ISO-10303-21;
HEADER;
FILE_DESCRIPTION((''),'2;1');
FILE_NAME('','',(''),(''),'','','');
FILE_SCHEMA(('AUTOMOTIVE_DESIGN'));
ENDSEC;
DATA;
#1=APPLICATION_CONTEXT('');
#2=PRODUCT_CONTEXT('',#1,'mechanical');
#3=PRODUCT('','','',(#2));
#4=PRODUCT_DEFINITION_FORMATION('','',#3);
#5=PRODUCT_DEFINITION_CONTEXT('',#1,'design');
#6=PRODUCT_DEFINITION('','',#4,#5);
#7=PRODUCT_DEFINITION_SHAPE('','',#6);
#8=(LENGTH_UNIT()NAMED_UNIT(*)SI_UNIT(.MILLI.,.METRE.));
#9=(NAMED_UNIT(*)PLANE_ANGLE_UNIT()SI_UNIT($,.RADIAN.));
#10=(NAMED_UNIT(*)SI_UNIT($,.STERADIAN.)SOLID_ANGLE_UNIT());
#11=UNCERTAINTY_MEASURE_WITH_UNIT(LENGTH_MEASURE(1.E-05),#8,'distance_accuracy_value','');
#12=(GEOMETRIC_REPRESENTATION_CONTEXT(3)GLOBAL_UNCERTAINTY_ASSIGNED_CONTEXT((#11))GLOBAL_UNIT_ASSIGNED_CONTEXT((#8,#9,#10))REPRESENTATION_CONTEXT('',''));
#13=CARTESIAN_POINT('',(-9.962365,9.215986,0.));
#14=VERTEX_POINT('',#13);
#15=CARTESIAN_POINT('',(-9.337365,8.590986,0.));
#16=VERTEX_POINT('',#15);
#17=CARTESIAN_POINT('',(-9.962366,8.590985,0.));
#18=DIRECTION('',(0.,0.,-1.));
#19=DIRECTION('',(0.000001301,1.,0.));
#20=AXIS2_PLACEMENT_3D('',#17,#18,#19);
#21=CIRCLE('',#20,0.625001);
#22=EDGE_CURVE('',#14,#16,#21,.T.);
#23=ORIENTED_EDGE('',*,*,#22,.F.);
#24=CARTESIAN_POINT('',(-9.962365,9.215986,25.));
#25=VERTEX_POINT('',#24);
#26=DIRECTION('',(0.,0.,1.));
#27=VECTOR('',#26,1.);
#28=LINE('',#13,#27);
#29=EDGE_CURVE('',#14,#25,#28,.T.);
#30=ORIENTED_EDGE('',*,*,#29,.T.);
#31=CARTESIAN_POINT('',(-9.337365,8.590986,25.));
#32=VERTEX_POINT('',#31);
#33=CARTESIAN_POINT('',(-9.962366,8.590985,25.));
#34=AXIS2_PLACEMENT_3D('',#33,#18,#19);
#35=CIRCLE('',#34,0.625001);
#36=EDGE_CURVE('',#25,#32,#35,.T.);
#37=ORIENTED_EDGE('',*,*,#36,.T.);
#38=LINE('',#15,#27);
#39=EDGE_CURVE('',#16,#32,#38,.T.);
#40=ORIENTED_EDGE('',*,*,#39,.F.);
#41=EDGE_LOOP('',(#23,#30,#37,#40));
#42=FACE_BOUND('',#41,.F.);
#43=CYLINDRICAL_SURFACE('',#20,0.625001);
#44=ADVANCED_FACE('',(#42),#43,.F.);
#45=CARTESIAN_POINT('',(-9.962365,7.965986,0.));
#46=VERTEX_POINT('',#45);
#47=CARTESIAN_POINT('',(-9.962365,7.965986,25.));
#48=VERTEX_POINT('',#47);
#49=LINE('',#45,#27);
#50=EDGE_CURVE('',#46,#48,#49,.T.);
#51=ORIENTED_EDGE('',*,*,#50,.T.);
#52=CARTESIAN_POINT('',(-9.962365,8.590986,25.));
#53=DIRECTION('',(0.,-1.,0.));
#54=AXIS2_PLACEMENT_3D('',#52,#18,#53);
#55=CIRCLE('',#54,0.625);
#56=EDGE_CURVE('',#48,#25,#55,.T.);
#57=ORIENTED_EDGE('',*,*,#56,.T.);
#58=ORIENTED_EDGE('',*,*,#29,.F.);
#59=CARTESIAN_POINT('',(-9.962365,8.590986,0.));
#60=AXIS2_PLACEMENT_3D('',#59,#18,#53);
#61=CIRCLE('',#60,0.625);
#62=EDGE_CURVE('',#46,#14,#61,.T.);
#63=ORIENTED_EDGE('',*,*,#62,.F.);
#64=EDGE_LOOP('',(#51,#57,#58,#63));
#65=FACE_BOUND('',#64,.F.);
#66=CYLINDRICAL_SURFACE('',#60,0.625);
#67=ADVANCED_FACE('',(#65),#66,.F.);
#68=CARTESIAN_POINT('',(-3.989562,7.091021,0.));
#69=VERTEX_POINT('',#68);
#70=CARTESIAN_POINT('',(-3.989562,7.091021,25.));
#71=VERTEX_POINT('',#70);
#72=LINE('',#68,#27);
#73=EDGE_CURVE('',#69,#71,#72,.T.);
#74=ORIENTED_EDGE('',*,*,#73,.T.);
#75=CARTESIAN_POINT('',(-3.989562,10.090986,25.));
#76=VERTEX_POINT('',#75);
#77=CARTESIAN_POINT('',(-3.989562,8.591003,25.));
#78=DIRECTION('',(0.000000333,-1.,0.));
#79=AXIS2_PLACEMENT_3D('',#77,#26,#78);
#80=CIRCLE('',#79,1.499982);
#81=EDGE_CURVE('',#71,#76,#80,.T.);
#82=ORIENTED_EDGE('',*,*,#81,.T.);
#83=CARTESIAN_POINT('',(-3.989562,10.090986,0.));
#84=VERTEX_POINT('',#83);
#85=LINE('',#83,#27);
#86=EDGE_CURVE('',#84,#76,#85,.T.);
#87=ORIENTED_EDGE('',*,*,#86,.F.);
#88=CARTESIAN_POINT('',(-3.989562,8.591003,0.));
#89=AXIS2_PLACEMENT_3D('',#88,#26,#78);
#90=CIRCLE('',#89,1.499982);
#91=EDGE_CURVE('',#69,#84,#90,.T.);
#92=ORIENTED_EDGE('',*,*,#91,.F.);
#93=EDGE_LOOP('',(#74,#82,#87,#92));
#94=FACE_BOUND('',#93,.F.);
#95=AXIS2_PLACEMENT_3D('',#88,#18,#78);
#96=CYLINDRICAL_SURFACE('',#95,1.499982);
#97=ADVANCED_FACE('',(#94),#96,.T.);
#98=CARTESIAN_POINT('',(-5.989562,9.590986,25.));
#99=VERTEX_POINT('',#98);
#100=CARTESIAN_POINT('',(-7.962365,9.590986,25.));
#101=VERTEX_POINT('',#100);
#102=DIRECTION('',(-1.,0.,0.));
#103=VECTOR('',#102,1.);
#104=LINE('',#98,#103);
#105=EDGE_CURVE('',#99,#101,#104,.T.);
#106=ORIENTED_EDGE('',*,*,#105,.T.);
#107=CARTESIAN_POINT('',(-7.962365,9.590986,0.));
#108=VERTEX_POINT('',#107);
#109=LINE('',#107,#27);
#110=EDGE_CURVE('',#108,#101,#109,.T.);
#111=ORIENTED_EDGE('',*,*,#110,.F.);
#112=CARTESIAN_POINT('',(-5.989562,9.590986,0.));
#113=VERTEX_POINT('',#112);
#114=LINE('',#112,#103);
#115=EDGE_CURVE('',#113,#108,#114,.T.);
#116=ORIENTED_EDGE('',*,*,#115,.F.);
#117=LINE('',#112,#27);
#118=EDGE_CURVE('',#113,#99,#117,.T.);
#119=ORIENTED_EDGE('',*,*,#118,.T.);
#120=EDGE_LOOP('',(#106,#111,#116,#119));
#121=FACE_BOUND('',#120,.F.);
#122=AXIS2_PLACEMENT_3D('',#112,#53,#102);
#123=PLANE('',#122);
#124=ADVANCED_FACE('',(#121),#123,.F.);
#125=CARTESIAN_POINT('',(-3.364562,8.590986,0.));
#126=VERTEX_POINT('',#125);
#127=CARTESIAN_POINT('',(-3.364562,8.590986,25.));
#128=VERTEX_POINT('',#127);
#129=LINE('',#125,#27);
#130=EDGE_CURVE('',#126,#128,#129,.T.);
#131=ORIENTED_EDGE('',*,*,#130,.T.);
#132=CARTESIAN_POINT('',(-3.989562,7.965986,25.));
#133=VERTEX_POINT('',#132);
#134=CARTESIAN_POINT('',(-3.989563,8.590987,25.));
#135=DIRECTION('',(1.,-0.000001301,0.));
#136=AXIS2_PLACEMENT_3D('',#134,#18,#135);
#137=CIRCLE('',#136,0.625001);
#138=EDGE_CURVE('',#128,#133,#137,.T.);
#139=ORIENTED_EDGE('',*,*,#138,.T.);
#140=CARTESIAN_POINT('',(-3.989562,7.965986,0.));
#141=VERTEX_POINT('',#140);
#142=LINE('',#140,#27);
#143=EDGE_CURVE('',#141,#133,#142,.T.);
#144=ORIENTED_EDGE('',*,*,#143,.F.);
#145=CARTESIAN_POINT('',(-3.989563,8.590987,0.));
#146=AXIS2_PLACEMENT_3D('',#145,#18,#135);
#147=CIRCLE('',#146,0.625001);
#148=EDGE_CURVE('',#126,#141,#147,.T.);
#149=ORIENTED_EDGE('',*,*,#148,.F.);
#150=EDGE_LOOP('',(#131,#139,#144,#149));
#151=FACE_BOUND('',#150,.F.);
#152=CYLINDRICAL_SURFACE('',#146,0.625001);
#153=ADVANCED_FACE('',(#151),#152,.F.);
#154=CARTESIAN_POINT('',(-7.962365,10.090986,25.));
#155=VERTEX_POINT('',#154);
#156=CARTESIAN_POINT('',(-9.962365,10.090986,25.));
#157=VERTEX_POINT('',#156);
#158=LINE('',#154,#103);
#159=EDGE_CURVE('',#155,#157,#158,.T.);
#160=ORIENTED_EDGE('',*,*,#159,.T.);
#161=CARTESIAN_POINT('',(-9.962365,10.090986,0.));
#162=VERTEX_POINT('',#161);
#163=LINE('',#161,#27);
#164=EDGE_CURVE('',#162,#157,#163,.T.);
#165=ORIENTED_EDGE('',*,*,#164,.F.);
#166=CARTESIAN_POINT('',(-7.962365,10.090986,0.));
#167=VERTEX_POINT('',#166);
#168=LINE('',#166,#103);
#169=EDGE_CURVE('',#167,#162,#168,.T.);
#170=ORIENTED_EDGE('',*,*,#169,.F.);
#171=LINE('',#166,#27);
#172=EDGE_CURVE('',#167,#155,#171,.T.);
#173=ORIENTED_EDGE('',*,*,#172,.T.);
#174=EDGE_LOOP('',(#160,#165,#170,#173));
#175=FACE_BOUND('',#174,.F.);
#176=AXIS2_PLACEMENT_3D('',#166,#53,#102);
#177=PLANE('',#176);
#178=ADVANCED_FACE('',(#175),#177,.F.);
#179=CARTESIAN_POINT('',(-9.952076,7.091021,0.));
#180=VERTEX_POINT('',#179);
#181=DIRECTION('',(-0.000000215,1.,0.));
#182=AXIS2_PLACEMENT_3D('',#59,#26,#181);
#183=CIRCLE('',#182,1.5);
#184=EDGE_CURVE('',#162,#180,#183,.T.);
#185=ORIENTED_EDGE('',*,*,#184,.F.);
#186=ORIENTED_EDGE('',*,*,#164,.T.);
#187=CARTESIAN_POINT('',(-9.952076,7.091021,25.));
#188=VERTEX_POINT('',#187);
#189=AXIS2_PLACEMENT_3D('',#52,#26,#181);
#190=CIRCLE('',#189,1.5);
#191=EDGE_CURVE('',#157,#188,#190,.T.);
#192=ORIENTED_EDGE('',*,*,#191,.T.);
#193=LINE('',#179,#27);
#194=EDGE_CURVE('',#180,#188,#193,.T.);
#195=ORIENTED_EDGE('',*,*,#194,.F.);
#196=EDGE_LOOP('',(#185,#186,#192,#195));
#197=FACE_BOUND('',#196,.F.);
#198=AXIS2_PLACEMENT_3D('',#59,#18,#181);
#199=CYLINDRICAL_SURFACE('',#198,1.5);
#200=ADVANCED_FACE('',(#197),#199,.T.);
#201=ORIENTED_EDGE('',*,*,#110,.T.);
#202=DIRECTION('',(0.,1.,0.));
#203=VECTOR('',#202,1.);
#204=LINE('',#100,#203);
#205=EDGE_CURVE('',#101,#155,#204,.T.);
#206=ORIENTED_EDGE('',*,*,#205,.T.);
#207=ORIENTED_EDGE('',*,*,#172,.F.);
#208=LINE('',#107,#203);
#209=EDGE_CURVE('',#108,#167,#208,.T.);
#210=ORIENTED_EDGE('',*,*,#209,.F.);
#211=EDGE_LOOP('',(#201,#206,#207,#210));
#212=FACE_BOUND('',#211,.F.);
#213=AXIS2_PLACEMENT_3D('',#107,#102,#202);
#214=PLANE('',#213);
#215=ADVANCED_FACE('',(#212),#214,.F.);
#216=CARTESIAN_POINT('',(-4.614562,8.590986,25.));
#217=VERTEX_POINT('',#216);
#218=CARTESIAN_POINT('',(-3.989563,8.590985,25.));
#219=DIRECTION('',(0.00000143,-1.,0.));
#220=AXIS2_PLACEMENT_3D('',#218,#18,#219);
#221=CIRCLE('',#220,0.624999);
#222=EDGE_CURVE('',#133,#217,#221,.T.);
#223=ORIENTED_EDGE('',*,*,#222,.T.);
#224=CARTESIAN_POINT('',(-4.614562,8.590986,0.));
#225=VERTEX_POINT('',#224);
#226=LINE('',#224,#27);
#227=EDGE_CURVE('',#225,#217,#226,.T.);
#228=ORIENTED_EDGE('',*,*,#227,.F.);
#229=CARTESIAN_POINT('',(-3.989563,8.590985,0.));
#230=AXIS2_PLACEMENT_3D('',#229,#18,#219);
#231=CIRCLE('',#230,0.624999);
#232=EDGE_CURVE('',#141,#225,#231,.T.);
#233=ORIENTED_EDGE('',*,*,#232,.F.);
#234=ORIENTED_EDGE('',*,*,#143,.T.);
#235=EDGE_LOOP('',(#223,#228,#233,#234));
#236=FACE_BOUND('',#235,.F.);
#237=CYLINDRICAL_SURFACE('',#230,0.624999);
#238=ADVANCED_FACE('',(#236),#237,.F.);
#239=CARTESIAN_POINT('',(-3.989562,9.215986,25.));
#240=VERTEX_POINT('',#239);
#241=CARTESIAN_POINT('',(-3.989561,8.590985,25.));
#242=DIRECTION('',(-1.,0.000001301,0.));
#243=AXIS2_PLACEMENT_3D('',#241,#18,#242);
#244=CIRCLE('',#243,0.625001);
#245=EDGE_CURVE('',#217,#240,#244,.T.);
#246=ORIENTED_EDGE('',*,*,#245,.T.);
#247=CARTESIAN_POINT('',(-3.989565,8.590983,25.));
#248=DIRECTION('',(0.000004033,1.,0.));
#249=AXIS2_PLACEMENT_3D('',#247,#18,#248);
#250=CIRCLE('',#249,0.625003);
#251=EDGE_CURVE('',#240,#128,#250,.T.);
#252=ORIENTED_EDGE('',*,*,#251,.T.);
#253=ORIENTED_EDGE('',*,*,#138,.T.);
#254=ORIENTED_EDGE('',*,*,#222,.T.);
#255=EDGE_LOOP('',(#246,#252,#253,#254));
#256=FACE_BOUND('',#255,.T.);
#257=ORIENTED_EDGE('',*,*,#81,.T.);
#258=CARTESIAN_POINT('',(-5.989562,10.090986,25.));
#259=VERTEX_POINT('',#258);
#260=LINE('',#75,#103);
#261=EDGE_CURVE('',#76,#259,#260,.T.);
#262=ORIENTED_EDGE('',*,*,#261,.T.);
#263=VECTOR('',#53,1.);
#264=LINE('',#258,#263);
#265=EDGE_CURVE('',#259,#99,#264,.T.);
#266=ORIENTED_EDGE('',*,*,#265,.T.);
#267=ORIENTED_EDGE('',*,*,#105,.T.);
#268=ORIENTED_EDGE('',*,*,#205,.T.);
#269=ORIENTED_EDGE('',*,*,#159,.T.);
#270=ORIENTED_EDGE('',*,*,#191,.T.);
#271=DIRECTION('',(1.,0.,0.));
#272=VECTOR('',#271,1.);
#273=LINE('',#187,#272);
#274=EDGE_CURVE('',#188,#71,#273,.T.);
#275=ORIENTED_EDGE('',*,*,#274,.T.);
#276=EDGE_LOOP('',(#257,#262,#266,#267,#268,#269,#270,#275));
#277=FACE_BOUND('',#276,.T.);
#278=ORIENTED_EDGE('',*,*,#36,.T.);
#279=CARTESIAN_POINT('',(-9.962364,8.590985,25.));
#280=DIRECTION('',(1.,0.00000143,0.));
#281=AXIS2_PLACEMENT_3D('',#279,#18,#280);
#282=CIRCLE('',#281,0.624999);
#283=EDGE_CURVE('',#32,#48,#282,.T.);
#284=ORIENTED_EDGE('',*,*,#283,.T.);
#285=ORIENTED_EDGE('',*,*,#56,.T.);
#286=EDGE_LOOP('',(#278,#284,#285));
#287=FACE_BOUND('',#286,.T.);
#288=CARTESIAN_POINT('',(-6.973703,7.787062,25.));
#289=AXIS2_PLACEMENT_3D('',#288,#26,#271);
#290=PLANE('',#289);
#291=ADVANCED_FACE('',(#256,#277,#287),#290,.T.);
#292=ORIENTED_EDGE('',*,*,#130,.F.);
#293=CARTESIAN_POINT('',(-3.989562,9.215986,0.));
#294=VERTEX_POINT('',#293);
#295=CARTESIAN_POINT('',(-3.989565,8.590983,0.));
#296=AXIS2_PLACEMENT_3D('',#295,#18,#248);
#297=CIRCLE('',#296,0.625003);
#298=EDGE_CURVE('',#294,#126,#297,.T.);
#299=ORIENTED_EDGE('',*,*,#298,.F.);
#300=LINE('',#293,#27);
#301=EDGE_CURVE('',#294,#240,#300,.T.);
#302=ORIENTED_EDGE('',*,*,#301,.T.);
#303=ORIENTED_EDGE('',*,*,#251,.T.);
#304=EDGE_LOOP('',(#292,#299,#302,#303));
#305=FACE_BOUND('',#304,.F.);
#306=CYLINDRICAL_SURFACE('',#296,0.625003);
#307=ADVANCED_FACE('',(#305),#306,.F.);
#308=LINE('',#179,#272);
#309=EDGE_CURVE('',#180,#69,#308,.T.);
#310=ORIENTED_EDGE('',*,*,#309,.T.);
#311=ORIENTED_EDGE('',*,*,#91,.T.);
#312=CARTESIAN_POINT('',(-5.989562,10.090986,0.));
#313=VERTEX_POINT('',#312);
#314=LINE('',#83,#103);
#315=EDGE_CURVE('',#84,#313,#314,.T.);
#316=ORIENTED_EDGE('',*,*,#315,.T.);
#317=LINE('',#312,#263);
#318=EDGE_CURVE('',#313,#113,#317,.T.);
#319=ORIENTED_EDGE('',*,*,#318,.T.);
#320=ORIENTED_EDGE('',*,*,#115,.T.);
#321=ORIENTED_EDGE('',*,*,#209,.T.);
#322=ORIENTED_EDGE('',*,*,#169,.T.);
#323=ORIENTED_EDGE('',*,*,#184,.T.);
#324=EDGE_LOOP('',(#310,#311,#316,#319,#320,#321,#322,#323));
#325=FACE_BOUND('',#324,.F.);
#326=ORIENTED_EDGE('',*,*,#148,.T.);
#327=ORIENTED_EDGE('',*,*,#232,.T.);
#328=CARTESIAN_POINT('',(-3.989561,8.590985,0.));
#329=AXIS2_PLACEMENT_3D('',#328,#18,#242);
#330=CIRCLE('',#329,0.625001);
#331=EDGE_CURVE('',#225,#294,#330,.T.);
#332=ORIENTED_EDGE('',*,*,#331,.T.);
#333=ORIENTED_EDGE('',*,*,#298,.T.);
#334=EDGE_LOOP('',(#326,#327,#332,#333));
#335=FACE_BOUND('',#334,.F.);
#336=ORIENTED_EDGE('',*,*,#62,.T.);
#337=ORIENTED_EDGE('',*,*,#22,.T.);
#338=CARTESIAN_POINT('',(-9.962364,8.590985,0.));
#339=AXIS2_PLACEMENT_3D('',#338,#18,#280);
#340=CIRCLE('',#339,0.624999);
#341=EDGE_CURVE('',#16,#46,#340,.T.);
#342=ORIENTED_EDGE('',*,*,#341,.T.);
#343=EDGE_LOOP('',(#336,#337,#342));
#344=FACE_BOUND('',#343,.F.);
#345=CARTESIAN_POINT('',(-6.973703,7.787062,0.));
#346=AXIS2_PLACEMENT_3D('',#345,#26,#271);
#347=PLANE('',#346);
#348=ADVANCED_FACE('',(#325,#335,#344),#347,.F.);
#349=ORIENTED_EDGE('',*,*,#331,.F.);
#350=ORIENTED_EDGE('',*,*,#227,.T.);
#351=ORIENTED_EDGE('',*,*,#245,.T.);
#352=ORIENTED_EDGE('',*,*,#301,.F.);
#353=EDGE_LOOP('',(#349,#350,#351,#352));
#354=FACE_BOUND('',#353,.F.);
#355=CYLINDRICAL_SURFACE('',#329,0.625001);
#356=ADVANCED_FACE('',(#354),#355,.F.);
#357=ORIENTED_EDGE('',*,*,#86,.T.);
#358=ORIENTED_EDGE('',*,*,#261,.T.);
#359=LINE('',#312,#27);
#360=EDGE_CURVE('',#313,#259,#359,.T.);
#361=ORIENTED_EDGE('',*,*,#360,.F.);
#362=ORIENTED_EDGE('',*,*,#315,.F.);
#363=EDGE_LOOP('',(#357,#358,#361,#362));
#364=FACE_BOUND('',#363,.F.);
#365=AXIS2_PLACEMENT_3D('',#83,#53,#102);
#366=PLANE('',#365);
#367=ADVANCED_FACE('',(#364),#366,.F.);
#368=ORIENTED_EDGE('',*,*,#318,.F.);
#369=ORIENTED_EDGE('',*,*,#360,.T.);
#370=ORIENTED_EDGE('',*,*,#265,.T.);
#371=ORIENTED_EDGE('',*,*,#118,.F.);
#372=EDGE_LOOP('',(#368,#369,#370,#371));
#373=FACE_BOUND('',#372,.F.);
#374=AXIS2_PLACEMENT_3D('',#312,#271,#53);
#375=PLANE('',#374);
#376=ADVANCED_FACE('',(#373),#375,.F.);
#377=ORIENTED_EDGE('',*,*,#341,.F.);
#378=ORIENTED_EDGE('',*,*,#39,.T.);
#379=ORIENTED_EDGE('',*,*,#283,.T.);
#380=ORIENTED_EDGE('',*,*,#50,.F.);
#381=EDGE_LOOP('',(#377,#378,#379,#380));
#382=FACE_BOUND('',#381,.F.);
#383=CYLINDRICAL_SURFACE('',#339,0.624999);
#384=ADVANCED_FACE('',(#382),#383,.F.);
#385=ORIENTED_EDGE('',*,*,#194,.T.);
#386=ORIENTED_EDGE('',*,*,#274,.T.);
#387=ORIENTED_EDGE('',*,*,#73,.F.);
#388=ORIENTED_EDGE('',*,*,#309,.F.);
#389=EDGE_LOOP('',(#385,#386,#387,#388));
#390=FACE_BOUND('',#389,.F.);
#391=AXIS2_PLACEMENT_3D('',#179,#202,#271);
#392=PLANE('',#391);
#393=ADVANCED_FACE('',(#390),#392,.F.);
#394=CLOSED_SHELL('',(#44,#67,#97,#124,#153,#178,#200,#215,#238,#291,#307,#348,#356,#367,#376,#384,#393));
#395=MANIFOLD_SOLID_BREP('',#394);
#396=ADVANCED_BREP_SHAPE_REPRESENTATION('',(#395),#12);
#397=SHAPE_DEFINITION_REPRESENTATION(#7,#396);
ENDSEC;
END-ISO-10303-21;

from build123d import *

# Parameters (mm, degrees)
F1_DEPTH = 25


with BuildPart() as f1:
    # F0 (on Top) → F1 (new body)
    with BuildSketch(Plane.XY):
        with BuildLine():
            Line((-4.614562, 8.590986), (-9.337365, 8.590986))
            ThreePointArc((-9.337365, 8.590986), (-9.520423, 8.149044), (-9.962365, 7.965986))
            Line((-9.962365, 7.965986), (-9.962365, 7.518355))
            Line((-9.962365, 7.518355), (-9.952076, 7.091021))
            Line((-9.952076, 7.091021), (-3.989562, 7.091021))
            Line((-3.989562, 7.091021), (-3.989562, 7.965986))
            ThreePointArc((-3.989562, 7.965986), (-4.431504, 8.149044), (-4.614562, 8.590986))
        make_face()
        with BuildLine():
            ThreePointArc((-9.962365, 9.215986), (-9.520423, 9.032927), (-9.337365, 8.590986))
            Line((-9.337365, 8.590986), (-4.614562, 8.590986))
            ThreePointArc((-4.614562, 8.590986), (-4.431504, 9.032927), (-3.989562, 9.215986))
            Line((-3.989562, 9.215986), (-3.989562, 10.090986))
            Line((-3.989562, 10.090986), (-5.989562, 10.090986))
            Line((-5.989562, 10.090986), (-5.989562, 9.590986))
            Line((-5.989562, 9.590986), (-7.962365, 9.590986))
            Line((-7.962365, 9.590986), (-7.962365, 10.090986))
            Line((-7.962365, 10.090986), (-9.962365, 10.090986))
            Line((-9.962365, 10.090986), (-9.962365, 9.215986))
        make_face()
        with BuildLine():
            ThreePointArc((-9.962365, 7.965986), (-10.587365, 8.590986), (-9.962365, 9.215986))
            Line((-9.962365, 9.215986), (-9.962365, 10.090986))
            ThreePointArc((-9.962365, 10.090986), (-11.462356, 8.585842), (-9.952076, 7.091021))
            Line((-9.952076, 7.091021), (-9.962365, 7.518355))
            Line((-9.962365, 7.518355), (-9.962365, 7.965986))
        make_face()
        with BuildLine():
            Line((-3.989562, 10.090986), (-3.989562, 9.215986))
            ThreePointArc((-3.989562, 9.215986), (-3.547621, 9.032927), (-3.364562, 8.590986))
            ThreePointArc((-3.364562, 8.590986), (-3.547621, 8.149044), (-3.989562, 7.965986))
            Line((-3.989562, 7.965986), (-3.989562, 7.091021))
            ThreePointArc((-3.989562, 7.091021), (-2.48958, 8.591003), (-3.989562, 10.090986))
        make_face()
    extrude(amount=F1_DEPTH)


solid = f1.part
